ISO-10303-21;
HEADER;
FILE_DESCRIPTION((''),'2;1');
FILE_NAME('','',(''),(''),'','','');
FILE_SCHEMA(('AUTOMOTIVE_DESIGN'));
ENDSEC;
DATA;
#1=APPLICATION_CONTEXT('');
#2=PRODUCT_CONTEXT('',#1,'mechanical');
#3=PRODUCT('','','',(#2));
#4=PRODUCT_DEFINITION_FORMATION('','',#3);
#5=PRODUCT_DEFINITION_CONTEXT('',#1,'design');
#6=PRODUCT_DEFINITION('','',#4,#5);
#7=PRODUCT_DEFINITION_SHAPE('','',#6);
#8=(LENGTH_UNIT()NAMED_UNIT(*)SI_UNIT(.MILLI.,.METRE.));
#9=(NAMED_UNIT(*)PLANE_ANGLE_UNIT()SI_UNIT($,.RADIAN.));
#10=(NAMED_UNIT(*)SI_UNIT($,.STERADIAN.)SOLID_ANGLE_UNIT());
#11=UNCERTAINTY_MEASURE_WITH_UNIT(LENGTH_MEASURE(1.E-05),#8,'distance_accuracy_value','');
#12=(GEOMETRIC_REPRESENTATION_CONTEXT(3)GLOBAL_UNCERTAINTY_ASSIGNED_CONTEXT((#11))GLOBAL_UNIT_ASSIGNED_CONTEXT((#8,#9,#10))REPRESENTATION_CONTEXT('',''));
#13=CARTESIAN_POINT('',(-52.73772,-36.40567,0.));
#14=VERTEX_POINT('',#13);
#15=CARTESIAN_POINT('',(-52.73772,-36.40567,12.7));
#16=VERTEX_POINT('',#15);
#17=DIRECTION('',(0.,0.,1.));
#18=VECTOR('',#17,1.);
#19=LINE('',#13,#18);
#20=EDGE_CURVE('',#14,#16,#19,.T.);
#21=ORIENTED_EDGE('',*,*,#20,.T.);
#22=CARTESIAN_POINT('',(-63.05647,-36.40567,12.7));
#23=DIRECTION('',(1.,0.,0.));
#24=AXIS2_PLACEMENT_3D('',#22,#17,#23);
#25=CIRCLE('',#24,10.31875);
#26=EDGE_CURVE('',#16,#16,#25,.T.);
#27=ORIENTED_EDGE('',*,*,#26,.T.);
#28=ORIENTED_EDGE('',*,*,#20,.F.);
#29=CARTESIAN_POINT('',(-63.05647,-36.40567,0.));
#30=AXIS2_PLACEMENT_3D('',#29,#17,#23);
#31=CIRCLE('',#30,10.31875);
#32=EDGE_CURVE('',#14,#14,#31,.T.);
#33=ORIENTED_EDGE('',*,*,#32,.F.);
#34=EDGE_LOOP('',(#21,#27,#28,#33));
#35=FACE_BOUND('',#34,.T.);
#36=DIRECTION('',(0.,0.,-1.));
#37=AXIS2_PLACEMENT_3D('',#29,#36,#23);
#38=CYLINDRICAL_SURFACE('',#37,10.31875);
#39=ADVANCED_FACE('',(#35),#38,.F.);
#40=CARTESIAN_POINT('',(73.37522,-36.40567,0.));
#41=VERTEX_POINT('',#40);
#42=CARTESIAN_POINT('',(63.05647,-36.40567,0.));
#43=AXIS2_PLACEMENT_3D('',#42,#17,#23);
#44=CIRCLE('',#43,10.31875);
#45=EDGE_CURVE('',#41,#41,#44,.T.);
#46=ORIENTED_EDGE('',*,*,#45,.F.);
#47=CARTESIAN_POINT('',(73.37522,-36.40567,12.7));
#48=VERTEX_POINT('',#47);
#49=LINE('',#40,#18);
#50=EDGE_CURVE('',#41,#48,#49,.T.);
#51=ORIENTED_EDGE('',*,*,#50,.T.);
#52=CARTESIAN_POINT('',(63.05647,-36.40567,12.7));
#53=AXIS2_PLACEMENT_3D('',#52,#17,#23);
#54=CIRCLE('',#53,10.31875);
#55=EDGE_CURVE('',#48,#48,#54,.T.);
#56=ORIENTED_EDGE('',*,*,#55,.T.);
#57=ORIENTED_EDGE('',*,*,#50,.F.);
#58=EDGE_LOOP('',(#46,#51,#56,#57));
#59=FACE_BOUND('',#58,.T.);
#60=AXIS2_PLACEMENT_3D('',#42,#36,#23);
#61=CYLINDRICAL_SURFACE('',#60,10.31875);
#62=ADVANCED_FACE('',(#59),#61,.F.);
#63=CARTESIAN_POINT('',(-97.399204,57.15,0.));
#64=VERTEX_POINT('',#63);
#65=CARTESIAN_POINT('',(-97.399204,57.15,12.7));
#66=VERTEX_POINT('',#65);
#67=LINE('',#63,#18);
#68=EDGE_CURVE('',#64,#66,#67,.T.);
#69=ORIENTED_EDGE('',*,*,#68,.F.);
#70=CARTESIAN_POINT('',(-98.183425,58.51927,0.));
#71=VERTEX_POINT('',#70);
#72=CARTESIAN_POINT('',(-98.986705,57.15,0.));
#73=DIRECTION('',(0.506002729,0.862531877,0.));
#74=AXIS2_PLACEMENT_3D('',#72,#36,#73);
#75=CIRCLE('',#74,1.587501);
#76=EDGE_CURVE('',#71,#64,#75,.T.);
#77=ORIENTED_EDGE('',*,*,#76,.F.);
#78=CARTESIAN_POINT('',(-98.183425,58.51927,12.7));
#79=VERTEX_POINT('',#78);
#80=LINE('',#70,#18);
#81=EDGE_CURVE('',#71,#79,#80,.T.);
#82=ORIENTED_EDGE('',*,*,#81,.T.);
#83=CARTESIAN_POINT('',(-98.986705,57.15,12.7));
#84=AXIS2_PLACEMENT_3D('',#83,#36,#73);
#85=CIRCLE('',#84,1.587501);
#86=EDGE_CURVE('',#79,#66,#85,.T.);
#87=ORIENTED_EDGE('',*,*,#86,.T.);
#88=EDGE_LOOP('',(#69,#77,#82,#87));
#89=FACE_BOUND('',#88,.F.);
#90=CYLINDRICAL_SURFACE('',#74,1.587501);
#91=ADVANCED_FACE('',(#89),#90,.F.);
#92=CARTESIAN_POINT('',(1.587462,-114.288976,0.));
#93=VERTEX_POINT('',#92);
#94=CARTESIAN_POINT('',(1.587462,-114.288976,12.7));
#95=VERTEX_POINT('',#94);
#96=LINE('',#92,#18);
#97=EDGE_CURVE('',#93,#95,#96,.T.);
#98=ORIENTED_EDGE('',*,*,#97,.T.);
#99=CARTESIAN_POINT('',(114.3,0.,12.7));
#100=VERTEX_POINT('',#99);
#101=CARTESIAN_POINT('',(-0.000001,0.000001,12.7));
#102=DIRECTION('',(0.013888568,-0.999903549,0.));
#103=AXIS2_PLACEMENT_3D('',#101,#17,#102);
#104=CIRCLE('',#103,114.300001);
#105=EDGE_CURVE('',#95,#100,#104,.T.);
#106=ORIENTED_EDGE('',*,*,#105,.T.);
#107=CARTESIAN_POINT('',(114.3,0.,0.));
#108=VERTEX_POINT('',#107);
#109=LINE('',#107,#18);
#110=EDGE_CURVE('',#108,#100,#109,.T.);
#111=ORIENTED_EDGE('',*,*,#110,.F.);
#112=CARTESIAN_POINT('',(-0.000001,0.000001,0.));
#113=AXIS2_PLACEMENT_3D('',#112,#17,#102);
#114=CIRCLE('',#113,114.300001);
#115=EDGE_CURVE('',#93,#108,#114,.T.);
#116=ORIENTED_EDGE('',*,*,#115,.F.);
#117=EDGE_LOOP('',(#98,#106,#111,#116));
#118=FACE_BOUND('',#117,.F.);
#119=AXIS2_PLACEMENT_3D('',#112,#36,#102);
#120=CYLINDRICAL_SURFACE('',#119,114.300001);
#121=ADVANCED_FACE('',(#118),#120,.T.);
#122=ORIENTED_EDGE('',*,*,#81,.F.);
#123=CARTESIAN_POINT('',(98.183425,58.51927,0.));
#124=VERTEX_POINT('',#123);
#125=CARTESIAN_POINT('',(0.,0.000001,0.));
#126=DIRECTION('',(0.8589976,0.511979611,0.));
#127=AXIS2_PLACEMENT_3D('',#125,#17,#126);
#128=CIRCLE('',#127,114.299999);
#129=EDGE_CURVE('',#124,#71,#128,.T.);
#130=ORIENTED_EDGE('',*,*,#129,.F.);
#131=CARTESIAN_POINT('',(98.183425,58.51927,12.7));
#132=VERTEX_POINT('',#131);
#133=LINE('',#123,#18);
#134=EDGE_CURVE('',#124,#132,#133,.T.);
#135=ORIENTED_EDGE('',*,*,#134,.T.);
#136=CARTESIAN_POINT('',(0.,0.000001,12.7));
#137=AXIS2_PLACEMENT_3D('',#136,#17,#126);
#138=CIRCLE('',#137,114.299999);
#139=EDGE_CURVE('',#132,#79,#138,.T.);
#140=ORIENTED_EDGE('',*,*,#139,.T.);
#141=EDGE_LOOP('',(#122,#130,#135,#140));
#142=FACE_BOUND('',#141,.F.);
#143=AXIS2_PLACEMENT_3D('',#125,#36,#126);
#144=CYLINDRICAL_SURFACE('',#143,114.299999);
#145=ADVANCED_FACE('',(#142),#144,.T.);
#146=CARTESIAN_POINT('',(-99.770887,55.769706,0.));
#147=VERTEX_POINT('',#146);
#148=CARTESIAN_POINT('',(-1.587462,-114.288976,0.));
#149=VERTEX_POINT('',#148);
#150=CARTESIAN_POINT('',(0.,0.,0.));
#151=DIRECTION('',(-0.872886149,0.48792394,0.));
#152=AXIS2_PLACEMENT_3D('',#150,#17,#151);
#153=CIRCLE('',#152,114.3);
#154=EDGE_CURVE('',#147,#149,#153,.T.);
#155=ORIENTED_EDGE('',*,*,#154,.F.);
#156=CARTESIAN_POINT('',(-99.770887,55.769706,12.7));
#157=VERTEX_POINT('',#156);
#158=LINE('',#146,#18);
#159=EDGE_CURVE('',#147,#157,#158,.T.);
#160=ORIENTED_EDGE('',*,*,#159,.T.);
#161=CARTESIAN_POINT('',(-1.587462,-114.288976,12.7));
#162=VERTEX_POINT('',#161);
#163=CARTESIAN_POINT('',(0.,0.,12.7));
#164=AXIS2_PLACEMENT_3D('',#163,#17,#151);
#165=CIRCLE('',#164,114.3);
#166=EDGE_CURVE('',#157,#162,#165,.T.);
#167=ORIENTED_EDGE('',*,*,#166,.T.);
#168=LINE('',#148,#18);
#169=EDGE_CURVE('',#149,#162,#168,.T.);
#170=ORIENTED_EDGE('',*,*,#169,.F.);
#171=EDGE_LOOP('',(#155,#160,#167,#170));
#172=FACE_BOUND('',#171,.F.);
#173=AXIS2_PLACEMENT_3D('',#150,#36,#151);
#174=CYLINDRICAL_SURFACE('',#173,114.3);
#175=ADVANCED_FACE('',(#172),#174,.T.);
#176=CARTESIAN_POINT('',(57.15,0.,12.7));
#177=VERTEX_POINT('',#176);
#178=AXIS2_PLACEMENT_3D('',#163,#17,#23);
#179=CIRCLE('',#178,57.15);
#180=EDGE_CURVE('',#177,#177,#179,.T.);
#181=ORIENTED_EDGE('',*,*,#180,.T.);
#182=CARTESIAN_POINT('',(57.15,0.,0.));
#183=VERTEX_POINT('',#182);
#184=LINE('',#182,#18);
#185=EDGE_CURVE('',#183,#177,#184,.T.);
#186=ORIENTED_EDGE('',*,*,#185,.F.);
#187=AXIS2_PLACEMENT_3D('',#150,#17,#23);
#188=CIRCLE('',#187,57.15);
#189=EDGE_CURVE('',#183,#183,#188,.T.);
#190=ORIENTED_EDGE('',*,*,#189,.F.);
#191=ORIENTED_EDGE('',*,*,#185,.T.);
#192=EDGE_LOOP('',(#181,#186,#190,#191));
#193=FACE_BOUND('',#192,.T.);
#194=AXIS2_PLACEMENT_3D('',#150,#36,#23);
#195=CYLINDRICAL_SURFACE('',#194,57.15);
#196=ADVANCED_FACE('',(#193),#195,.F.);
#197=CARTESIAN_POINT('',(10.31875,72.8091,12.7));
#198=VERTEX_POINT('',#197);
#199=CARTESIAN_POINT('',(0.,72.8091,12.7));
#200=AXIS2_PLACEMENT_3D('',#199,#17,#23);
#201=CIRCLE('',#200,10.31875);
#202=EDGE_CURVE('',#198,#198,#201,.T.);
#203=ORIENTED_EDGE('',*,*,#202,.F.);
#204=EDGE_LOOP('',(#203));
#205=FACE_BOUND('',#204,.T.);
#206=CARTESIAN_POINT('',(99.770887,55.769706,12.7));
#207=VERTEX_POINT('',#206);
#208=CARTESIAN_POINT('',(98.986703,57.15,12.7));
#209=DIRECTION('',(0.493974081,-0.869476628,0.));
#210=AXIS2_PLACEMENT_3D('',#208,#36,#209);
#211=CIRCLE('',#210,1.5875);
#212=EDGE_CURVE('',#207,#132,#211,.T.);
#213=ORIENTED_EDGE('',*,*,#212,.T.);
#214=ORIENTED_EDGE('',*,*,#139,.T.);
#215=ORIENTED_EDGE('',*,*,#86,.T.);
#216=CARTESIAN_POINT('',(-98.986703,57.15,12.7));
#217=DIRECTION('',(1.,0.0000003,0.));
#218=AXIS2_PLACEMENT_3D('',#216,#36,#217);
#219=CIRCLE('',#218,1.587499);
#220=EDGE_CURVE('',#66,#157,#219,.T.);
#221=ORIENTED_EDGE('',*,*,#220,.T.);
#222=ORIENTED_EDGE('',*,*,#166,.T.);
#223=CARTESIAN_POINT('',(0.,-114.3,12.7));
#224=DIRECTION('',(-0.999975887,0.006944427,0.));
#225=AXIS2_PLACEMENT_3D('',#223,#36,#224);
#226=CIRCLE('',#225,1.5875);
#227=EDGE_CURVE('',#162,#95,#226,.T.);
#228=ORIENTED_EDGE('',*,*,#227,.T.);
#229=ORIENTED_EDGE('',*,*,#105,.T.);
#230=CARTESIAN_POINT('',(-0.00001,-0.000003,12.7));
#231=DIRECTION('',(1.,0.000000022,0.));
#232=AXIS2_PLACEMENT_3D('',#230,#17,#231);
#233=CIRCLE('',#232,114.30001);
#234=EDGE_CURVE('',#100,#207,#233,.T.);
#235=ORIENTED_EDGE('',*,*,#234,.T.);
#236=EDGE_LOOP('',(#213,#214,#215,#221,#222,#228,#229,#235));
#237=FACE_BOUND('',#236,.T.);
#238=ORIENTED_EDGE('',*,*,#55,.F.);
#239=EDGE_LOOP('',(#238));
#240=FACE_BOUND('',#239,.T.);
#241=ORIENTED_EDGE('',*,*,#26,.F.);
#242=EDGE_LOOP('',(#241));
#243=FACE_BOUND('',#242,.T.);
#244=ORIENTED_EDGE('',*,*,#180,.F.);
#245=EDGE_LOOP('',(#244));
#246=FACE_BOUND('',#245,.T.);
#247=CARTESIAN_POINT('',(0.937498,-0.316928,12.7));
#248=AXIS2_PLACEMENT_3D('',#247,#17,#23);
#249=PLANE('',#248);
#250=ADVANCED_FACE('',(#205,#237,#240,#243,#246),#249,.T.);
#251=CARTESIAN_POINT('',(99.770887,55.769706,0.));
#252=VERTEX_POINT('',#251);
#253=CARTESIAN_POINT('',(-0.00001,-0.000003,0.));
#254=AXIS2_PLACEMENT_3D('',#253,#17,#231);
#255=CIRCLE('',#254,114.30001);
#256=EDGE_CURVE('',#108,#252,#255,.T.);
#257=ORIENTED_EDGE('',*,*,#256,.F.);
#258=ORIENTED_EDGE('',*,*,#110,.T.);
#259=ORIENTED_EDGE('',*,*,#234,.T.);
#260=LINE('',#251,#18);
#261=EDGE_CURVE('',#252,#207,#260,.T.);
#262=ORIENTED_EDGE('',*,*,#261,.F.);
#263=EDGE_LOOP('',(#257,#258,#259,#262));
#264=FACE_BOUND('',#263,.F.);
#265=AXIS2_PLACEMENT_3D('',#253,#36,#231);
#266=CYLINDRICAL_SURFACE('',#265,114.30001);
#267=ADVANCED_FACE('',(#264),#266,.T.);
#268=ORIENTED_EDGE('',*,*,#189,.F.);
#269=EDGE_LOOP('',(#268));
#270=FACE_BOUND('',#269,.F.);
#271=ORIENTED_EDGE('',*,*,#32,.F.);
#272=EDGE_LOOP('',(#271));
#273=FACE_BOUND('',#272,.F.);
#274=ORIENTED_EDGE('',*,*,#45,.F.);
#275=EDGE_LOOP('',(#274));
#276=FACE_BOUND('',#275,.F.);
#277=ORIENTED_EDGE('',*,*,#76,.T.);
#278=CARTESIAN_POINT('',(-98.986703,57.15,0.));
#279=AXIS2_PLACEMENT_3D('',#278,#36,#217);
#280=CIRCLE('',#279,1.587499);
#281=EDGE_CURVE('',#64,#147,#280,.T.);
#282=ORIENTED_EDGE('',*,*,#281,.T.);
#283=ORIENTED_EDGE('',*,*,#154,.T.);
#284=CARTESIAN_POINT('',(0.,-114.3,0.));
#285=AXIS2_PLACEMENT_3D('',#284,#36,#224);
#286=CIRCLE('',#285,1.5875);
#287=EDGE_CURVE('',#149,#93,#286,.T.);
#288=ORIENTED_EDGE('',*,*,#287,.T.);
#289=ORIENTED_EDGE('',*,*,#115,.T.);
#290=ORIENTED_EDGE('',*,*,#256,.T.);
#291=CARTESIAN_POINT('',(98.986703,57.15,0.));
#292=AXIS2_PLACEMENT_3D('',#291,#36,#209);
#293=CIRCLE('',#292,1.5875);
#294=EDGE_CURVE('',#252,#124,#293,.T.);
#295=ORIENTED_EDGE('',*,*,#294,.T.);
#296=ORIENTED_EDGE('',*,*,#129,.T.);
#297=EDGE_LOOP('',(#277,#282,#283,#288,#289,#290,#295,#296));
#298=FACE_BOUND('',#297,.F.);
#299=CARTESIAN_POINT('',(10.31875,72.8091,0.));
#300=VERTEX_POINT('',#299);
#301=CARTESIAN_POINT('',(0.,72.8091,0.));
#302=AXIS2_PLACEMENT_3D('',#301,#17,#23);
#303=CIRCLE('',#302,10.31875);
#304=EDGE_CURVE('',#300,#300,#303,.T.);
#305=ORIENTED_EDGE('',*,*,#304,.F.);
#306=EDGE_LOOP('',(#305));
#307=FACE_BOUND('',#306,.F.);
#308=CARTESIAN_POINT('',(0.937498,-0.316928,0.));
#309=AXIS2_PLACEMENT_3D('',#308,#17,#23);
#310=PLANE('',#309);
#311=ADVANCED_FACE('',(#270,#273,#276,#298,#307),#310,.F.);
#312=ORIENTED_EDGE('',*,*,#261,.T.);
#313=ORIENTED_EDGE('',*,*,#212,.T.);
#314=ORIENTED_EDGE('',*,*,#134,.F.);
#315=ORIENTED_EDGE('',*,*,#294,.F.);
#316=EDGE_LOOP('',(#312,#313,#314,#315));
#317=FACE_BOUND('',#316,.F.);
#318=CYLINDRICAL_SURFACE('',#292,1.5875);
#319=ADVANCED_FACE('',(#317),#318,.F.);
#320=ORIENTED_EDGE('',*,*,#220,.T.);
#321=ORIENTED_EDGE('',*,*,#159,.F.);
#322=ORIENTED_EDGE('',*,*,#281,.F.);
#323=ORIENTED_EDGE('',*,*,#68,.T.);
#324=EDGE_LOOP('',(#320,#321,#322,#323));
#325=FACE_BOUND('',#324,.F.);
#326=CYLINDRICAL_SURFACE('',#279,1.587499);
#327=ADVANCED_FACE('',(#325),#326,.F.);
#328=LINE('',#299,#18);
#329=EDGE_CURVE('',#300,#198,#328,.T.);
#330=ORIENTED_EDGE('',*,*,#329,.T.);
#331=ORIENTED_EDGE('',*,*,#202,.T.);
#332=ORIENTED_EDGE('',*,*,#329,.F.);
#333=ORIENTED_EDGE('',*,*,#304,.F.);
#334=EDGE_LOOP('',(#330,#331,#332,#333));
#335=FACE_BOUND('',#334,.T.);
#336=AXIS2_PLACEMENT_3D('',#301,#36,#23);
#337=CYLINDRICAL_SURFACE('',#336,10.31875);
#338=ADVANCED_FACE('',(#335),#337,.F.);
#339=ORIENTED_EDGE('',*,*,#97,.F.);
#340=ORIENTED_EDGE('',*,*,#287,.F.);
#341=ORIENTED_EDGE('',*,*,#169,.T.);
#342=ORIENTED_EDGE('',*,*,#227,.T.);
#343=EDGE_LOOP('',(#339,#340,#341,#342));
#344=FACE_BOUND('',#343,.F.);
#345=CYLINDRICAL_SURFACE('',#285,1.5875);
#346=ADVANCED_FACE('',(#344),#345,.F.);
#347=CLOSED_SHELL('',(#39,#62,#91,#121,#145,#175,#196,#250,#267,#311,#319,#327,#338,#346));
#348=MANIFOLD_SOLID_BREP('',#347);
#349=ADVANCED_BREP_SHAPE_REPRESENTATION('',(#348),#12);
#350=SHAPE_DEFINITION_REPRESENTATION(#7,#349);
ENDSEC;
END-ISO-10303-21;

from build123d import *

# Parameters (mm, degrees)
F0_R     = 10.31875
F0_R_2   = 57.15
F1_DEPTH = 12.7


with BuildPart() as f1:
    # F0 (on Top) → F1 (new body)
    with BuildSketch(Plane.XY):
        with BuildLine():
            ThreePointArc((1.587462, -114.288976), (81.381622, -80.25909), (114.3, 0))
            ThreePointArc((114.3, 0), (110.608097, 28.8156), (99.770887, 55.769706))
            ThreePointArc((99.770887, 55.769706), (97.611888, 56.35625), (98.183425, 58.51927))
            ThreePointArc((98.183425, 58.51927), (0, 114.3), (-98.183425, 58.51927))
            ThreePointArc((-98.183425, 58.51927), (-97.609141, 57.938972), (-97.399204, 57.15))
            ThreePointArc((-97.399204, 57.15), (-98.188185, 55.777949), (-99.770887, 55.769706))
            ThreePointArc((-99.770887, 55.769706), (-98.986704, -57.15), (-1.587462, -114.288976))
            ThreePointArc((-1.587462, -114.288976), (0, -112.7125), (1.587462, -114.288976))
        make_face()
        with Locations((-63.05647, -36.40567)):
            Circle(F0_R, mode=Mode.SUBTRACT)
        with Locations((63.05647, -36.40567)):
            Circle(F0_R, mode=Mode.SUBTRACT)
        Circle(F0_R_2, mode=Mode.SUBTRACT)
        with Locations((0, 72.8091)):
            Circle(F0_R, mode=Mode.SUBTRACT)
    extrude(amount=F1_DEPTH)


solid = f1.part
